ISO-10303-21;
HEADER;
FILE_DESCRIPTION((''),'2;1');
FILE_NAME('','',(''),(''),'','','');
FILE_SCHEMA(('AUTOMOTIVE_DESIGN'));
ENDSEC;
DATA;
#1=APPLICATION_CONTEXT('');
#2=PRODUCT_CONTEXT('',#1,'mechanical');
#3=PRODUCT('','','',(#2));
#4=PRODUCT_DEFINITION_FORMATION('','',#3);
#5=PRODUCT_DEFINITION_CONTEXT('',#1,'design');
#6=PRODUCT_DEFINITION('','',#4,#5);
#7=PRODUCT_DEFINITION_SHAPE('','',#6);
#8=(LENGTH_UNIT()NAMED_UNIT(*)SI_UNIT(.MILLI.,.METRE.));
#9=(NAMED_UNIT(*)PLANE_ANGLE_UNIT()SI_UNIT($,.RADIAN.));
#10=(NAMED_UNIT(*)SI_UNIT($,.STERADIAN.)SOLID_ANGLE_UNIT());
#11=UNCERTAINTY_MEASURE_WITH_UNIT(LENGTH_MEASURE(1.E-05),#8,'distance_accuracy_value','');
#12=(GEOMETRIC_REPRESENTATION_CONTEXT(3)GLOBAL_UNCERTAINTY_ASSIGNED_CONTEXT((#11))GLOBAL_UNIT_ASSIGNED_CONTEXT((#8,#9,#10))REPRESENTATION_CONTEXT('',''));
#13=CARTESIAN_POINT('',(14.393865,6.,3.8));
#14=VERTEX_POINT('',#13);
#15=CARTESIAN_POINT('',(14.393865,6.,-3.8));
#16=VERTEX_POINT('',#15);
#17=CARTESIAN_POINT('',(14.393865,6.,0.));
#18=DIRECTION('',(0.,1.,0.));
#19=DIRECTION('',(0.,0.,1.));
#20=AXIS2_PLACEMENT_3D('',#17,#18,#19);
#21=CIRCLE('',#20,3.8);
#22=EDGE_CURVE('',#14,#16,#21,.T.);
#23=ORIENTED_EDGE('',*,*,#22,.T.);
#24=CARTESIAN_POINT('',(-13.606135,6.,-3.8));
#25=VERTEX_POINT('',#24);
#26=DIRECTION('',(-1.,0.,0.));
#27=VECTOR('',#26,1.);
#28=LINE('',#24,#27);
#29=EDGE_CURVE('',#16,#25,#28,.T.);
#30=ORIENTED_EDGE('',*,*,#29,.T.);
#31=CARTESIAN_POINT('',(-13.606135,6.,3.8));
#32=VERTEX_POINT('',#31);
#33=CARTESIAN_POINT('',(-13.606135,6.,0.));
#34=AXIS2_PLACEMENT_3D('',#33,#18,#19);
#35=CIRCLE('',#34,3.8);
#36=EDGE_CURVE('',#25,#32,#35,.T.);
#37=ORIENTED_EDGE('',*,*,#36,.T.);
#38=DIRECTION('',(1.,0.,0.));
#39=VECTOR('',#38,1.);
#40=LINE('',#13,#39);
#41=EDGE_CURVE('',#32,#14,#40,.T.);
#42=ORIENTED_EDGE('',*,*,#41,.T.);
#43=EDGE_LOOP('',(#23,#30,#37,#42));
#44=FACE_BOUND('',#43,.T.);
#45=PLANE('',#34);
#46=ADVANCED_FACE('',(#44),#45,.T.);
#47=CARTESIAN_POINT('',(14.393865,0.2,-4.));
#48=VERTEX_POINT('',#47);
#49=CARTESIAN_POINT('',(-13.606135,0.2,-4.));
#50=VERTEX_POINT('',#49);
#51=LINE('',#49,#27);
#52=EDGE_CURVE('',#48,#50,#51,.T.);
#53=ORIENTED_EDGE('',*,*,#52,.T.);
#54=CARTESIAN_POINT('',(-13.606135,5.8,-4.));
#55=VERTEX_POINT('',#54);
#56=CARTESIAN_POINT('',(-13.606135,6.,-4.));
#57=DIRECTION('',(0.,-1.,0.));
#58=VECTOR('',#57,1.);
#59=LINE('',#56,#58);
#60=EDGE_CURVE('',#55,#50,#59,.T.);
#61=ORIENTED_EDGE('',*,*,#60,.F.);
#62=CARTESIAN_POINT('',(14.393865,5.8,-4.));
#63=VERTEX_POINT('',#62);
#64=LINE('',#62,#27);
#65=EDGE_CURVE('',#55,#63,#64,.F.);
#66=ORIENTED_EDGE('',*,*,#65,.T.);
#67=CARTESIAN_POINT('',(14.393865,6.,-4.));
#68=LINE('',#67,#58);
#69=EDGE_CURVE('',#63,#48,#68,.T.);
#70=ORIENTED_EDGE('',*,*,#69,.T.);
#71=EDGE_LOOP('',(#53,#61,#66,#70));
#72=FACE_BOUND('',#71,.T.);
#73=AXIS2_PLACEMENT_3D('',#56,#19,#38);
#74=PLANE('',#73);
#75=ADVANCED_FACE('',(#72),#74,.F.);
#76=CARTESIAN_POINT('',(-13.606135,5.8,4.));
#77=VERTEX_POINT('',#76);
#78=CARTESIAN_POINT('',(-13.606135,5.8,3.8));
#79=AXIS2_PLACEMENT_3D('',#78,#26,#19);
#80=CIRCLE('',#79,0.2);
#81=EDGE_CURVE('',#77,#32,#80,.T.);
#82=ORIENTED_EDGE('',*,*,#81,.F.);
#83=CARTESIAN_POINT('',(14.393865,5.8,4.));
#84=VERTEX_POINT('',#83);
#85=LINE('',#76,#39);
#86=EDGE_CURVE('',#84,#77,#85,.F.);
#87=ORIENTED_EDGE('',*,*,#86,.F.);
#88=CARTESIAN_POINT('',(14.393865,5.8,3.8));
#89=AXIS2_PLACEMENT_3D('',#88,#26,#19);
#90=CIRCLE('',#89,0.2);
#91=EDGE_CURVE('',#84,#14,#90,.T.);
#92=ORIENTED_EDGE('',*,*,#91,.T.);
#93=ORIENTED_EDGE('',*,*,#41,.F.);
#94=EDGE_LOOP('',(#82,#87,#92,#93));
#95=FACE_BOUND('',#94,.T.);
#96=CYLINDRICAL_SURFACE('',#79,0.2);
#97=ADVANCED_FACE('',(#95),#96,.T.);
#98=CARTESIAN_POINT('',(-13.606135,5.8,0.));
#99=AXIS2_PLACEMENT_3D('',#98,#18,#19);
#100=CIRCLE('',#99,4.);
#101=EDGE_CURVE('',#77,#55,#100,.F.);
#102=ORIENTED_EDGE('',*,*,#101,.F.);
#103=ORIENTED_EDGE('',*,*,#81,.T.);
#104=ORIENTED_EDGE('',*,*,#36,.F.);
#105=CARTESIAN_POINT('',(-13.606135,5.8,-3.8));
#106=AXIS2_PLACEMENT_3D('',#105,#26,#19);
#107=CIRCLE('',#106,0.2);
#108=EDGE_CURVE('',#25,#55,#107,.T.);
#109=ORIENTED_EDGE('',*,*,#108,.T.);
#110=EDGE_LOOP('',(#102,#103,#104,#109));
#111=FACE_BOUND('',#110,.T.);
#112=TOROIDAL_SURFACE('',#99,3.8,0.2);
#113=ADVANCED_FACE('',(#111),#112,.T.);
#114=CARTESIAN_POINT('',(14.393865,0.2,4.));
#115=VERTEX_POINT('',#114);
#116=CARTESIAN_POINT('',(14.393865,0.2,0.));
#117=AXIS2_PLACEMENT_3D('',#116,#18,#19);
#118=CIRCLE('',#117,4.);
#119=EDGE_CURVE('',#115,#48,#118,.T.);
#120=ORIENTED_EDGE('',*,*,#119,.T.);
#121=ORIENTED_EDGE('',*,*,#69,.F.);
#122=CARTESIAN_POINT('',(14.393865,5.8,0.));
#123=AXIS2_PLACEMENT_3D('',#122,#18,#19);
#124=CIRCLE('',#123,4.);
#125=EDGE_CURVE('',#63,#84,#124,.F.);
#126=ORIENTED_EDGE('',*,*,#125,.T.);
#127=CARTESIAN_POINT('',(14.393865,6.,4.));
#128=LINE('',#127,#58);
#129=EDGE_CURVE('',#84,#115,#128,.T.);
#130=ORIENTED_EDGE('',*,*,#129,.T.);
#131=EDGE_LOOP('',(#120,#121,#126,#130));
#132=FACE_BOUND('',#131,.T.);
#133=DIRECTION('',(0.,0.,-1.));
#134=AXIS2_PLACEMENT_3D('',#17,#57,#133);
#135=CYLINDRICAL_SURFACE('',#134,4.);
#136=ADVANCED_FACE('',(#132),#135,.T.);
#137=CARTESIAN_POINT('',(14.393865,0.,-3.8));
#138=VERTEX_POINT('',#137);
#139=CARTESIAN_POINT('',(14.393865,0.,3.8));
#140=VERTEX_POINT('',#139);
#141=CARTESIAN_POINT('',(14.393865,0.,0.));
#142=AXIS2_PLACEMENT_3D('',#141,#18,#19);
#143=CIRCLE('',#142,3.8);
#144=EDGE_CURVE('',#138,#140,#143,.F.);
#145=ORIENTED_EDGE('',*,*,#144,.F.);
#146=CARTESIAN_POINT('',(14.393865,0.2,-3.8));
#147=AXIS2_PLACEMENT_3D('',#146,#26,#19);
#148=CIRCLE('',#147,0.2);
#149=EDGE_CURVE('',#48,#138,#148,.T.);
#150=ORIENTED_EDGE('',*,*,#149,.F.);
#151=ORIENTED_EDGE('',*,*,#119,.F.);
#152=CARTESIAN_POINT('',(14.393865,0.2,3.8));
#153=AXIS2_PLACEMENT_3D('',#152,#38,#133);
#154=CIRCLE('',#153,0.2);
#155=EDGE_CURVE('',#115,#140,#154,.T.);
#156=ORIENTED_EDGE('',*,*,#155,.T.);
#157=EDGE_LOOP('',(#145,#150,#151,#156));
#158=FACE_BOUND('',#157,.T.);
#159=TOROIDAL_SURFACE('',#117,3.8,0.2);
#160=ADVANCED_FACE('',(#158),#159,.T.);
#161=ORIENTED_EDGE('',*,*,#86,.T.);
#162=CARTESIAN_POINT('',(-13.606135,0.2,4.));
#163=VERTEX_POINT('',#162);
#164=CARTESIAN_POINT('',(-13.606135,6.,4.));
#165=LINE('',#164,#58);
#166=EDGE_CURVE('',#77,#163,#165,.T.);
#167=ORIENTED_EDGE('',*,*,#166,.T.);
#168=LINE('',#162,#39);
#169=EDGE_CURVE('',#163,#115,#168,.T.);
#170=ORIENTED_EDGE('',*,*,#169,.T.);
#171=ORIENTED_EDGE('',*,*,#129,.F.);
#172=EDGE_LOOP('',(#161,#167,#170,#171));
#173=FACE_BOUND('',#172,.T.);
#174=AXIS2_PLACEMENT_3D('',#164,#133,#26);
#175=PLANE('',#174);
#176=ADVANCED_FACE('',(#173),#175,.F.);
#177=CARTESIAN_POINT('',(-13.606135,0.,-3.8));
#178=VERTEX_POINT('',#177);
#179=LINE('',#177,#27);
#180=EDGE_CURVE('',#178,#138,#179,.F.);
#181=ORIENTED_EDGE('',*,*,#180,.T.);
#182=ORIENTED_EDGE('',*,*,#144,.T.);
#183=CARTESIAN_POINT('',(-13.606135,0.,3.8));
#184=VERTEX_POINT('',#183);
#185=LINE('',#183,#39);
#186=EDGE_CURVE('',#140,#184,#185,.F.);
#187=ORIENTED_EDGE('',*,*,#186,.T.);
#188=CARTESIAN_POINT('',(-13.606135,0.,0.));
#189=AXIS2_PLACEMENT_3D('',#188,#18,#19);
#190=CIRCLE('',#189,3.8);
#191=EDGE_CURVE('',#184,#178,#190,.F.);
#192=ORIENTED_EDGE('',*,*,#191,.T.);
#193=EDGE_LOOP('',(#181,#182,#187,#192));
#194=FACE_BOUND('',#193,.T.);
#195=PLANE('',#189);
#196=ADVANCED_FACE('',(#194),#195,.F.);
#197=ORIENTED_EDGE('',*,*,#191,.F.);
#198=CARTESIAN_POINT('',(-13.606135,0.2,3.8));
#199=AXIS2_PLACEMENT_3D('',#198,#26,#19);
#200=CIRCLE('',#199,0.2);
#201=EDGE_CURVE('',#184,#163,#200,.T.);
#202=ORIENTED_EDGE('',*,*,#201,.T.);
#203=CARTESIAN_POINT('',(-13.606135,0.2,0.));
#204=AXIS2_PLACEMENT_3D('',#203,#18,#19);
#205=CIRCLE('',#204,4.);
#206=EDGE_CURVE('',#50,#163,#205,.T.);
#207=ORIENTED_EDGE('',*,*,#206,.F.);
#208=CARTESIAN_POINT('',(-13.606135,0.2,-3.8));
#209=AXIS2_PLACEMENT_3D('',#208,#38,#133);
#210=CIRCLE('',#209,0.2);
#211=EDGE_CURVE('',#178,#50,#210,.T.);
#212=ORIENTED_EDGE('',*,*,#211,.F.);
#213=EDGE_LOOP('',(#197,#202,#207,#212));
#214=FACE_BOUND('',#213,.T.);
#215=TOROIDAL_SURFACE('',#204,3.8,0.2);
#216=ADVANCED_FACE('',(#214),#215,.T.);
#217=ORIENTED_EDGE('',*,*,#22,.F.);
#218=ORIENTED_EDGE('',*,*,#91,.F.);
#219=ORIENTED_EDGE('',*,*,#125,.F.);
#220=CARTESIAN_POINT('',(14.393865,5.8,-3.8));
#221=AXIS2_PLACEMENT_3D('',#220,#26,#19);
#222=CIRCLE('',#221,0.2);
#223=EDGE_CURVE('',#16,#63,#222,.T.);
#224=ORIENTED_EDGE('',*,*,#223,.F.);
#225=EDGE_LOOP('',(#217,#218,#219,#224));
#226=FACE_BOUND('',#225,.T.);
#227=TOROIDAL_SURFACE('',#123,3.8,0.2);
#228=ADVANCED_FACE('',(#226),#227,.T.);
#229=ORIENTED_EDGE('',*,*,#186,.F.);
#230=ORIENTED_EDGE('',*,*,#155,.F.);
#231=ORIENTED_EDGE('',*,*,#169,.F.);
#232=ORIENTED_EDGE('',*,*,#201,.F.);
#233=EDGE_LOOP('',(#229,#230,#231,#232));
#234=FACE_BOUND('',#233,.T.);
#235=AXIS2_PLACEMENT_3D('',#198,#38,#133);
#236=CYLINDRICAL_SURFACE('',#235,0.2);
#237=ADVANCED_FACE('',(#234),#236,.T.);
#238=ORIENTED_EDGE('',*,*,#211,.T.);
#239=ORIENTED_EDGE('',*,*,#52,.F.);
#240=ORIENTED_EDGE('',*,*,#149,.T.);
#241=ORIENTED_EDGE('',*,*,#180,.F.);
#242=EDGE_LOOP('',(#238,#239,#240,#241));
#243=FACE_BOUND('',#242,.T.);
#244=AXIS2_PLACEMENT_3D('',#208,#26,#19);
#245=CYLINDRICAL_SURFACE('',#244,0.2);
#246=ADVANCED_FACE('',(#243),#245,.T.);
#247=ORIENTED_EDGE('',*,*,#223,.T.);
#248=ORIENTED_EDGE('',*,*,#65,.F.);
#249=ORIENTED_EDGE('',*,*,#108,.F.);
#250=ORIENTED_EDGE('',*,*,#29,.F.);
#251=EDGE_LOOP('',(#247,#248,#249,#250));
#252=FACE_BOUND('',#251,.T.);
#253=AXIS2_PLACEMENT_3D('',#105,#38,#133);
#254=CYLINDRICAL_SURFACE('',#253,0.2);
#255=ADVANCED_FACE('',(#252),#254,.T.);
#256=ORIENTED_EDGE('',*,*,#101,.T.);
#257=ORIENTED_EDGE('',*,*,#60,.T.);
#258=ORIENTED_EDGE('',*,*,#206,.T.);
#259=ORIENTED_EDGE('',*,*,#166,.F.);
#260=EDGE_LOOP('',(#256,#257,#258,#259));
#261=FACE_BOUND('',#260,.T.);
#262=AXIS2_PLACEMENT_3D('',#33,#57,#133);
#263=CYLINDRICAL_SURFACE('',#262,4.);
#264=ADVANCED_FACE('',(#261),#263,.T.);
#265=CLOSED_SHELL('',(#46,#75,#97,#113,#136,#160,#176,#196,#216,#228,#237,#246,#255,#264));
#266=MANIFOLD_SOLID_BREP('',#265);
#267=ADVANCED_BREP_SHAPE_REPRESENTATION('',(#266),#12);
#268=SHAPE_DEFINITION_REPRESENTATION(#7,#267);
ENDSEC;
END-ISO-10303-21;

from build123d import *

# Parameters (mm, degrees)
BOSS_EXTRUDE1_DEPTH = 6
FILLET1_R           = 0.2


with BuildPart() as part:
    # Sketch1 → Boss-Extrude1 (new body)
    with BuildSketch(Plane(origin=(0, 0, 0), x_dir=(1, 0, 0), z_dir=(0, 1, 0))):
        with BuildLine():
            Line((-13.606134884, 4), (14.393865116, 4))
            ThreePointArc((14.393865116, 4), (18.393865116, 0), (14.393865116, -4))
            Line((14.393865116, -4), (-13.606134884, -4))
            ThreePointArc((-13.606134884, -4), (-17.606134884, 0), (-13.606134884, 4))
        make_face()
    extrude(amount=BOSS_EXTRUDE1_DEPTH)

    # Fillet1
    fillet1_edges = [part.edges().sort_by_distance(p)[0] for p in [
        (18.393865116, 6, 0),
        (0.393865116, 6, -4),
        (-17.606134884, 6, 0),
        (0.393865116, 0, -4),
        (18.393865116, 0, 0),
        (0.393865116, 0, 4),
        (-17.606134884, 0, 0),
        (0.393865116, 6, 4),
    ]]
    fillet(fillet1_edges, radius=FILLET1_R)


solid = part.part
